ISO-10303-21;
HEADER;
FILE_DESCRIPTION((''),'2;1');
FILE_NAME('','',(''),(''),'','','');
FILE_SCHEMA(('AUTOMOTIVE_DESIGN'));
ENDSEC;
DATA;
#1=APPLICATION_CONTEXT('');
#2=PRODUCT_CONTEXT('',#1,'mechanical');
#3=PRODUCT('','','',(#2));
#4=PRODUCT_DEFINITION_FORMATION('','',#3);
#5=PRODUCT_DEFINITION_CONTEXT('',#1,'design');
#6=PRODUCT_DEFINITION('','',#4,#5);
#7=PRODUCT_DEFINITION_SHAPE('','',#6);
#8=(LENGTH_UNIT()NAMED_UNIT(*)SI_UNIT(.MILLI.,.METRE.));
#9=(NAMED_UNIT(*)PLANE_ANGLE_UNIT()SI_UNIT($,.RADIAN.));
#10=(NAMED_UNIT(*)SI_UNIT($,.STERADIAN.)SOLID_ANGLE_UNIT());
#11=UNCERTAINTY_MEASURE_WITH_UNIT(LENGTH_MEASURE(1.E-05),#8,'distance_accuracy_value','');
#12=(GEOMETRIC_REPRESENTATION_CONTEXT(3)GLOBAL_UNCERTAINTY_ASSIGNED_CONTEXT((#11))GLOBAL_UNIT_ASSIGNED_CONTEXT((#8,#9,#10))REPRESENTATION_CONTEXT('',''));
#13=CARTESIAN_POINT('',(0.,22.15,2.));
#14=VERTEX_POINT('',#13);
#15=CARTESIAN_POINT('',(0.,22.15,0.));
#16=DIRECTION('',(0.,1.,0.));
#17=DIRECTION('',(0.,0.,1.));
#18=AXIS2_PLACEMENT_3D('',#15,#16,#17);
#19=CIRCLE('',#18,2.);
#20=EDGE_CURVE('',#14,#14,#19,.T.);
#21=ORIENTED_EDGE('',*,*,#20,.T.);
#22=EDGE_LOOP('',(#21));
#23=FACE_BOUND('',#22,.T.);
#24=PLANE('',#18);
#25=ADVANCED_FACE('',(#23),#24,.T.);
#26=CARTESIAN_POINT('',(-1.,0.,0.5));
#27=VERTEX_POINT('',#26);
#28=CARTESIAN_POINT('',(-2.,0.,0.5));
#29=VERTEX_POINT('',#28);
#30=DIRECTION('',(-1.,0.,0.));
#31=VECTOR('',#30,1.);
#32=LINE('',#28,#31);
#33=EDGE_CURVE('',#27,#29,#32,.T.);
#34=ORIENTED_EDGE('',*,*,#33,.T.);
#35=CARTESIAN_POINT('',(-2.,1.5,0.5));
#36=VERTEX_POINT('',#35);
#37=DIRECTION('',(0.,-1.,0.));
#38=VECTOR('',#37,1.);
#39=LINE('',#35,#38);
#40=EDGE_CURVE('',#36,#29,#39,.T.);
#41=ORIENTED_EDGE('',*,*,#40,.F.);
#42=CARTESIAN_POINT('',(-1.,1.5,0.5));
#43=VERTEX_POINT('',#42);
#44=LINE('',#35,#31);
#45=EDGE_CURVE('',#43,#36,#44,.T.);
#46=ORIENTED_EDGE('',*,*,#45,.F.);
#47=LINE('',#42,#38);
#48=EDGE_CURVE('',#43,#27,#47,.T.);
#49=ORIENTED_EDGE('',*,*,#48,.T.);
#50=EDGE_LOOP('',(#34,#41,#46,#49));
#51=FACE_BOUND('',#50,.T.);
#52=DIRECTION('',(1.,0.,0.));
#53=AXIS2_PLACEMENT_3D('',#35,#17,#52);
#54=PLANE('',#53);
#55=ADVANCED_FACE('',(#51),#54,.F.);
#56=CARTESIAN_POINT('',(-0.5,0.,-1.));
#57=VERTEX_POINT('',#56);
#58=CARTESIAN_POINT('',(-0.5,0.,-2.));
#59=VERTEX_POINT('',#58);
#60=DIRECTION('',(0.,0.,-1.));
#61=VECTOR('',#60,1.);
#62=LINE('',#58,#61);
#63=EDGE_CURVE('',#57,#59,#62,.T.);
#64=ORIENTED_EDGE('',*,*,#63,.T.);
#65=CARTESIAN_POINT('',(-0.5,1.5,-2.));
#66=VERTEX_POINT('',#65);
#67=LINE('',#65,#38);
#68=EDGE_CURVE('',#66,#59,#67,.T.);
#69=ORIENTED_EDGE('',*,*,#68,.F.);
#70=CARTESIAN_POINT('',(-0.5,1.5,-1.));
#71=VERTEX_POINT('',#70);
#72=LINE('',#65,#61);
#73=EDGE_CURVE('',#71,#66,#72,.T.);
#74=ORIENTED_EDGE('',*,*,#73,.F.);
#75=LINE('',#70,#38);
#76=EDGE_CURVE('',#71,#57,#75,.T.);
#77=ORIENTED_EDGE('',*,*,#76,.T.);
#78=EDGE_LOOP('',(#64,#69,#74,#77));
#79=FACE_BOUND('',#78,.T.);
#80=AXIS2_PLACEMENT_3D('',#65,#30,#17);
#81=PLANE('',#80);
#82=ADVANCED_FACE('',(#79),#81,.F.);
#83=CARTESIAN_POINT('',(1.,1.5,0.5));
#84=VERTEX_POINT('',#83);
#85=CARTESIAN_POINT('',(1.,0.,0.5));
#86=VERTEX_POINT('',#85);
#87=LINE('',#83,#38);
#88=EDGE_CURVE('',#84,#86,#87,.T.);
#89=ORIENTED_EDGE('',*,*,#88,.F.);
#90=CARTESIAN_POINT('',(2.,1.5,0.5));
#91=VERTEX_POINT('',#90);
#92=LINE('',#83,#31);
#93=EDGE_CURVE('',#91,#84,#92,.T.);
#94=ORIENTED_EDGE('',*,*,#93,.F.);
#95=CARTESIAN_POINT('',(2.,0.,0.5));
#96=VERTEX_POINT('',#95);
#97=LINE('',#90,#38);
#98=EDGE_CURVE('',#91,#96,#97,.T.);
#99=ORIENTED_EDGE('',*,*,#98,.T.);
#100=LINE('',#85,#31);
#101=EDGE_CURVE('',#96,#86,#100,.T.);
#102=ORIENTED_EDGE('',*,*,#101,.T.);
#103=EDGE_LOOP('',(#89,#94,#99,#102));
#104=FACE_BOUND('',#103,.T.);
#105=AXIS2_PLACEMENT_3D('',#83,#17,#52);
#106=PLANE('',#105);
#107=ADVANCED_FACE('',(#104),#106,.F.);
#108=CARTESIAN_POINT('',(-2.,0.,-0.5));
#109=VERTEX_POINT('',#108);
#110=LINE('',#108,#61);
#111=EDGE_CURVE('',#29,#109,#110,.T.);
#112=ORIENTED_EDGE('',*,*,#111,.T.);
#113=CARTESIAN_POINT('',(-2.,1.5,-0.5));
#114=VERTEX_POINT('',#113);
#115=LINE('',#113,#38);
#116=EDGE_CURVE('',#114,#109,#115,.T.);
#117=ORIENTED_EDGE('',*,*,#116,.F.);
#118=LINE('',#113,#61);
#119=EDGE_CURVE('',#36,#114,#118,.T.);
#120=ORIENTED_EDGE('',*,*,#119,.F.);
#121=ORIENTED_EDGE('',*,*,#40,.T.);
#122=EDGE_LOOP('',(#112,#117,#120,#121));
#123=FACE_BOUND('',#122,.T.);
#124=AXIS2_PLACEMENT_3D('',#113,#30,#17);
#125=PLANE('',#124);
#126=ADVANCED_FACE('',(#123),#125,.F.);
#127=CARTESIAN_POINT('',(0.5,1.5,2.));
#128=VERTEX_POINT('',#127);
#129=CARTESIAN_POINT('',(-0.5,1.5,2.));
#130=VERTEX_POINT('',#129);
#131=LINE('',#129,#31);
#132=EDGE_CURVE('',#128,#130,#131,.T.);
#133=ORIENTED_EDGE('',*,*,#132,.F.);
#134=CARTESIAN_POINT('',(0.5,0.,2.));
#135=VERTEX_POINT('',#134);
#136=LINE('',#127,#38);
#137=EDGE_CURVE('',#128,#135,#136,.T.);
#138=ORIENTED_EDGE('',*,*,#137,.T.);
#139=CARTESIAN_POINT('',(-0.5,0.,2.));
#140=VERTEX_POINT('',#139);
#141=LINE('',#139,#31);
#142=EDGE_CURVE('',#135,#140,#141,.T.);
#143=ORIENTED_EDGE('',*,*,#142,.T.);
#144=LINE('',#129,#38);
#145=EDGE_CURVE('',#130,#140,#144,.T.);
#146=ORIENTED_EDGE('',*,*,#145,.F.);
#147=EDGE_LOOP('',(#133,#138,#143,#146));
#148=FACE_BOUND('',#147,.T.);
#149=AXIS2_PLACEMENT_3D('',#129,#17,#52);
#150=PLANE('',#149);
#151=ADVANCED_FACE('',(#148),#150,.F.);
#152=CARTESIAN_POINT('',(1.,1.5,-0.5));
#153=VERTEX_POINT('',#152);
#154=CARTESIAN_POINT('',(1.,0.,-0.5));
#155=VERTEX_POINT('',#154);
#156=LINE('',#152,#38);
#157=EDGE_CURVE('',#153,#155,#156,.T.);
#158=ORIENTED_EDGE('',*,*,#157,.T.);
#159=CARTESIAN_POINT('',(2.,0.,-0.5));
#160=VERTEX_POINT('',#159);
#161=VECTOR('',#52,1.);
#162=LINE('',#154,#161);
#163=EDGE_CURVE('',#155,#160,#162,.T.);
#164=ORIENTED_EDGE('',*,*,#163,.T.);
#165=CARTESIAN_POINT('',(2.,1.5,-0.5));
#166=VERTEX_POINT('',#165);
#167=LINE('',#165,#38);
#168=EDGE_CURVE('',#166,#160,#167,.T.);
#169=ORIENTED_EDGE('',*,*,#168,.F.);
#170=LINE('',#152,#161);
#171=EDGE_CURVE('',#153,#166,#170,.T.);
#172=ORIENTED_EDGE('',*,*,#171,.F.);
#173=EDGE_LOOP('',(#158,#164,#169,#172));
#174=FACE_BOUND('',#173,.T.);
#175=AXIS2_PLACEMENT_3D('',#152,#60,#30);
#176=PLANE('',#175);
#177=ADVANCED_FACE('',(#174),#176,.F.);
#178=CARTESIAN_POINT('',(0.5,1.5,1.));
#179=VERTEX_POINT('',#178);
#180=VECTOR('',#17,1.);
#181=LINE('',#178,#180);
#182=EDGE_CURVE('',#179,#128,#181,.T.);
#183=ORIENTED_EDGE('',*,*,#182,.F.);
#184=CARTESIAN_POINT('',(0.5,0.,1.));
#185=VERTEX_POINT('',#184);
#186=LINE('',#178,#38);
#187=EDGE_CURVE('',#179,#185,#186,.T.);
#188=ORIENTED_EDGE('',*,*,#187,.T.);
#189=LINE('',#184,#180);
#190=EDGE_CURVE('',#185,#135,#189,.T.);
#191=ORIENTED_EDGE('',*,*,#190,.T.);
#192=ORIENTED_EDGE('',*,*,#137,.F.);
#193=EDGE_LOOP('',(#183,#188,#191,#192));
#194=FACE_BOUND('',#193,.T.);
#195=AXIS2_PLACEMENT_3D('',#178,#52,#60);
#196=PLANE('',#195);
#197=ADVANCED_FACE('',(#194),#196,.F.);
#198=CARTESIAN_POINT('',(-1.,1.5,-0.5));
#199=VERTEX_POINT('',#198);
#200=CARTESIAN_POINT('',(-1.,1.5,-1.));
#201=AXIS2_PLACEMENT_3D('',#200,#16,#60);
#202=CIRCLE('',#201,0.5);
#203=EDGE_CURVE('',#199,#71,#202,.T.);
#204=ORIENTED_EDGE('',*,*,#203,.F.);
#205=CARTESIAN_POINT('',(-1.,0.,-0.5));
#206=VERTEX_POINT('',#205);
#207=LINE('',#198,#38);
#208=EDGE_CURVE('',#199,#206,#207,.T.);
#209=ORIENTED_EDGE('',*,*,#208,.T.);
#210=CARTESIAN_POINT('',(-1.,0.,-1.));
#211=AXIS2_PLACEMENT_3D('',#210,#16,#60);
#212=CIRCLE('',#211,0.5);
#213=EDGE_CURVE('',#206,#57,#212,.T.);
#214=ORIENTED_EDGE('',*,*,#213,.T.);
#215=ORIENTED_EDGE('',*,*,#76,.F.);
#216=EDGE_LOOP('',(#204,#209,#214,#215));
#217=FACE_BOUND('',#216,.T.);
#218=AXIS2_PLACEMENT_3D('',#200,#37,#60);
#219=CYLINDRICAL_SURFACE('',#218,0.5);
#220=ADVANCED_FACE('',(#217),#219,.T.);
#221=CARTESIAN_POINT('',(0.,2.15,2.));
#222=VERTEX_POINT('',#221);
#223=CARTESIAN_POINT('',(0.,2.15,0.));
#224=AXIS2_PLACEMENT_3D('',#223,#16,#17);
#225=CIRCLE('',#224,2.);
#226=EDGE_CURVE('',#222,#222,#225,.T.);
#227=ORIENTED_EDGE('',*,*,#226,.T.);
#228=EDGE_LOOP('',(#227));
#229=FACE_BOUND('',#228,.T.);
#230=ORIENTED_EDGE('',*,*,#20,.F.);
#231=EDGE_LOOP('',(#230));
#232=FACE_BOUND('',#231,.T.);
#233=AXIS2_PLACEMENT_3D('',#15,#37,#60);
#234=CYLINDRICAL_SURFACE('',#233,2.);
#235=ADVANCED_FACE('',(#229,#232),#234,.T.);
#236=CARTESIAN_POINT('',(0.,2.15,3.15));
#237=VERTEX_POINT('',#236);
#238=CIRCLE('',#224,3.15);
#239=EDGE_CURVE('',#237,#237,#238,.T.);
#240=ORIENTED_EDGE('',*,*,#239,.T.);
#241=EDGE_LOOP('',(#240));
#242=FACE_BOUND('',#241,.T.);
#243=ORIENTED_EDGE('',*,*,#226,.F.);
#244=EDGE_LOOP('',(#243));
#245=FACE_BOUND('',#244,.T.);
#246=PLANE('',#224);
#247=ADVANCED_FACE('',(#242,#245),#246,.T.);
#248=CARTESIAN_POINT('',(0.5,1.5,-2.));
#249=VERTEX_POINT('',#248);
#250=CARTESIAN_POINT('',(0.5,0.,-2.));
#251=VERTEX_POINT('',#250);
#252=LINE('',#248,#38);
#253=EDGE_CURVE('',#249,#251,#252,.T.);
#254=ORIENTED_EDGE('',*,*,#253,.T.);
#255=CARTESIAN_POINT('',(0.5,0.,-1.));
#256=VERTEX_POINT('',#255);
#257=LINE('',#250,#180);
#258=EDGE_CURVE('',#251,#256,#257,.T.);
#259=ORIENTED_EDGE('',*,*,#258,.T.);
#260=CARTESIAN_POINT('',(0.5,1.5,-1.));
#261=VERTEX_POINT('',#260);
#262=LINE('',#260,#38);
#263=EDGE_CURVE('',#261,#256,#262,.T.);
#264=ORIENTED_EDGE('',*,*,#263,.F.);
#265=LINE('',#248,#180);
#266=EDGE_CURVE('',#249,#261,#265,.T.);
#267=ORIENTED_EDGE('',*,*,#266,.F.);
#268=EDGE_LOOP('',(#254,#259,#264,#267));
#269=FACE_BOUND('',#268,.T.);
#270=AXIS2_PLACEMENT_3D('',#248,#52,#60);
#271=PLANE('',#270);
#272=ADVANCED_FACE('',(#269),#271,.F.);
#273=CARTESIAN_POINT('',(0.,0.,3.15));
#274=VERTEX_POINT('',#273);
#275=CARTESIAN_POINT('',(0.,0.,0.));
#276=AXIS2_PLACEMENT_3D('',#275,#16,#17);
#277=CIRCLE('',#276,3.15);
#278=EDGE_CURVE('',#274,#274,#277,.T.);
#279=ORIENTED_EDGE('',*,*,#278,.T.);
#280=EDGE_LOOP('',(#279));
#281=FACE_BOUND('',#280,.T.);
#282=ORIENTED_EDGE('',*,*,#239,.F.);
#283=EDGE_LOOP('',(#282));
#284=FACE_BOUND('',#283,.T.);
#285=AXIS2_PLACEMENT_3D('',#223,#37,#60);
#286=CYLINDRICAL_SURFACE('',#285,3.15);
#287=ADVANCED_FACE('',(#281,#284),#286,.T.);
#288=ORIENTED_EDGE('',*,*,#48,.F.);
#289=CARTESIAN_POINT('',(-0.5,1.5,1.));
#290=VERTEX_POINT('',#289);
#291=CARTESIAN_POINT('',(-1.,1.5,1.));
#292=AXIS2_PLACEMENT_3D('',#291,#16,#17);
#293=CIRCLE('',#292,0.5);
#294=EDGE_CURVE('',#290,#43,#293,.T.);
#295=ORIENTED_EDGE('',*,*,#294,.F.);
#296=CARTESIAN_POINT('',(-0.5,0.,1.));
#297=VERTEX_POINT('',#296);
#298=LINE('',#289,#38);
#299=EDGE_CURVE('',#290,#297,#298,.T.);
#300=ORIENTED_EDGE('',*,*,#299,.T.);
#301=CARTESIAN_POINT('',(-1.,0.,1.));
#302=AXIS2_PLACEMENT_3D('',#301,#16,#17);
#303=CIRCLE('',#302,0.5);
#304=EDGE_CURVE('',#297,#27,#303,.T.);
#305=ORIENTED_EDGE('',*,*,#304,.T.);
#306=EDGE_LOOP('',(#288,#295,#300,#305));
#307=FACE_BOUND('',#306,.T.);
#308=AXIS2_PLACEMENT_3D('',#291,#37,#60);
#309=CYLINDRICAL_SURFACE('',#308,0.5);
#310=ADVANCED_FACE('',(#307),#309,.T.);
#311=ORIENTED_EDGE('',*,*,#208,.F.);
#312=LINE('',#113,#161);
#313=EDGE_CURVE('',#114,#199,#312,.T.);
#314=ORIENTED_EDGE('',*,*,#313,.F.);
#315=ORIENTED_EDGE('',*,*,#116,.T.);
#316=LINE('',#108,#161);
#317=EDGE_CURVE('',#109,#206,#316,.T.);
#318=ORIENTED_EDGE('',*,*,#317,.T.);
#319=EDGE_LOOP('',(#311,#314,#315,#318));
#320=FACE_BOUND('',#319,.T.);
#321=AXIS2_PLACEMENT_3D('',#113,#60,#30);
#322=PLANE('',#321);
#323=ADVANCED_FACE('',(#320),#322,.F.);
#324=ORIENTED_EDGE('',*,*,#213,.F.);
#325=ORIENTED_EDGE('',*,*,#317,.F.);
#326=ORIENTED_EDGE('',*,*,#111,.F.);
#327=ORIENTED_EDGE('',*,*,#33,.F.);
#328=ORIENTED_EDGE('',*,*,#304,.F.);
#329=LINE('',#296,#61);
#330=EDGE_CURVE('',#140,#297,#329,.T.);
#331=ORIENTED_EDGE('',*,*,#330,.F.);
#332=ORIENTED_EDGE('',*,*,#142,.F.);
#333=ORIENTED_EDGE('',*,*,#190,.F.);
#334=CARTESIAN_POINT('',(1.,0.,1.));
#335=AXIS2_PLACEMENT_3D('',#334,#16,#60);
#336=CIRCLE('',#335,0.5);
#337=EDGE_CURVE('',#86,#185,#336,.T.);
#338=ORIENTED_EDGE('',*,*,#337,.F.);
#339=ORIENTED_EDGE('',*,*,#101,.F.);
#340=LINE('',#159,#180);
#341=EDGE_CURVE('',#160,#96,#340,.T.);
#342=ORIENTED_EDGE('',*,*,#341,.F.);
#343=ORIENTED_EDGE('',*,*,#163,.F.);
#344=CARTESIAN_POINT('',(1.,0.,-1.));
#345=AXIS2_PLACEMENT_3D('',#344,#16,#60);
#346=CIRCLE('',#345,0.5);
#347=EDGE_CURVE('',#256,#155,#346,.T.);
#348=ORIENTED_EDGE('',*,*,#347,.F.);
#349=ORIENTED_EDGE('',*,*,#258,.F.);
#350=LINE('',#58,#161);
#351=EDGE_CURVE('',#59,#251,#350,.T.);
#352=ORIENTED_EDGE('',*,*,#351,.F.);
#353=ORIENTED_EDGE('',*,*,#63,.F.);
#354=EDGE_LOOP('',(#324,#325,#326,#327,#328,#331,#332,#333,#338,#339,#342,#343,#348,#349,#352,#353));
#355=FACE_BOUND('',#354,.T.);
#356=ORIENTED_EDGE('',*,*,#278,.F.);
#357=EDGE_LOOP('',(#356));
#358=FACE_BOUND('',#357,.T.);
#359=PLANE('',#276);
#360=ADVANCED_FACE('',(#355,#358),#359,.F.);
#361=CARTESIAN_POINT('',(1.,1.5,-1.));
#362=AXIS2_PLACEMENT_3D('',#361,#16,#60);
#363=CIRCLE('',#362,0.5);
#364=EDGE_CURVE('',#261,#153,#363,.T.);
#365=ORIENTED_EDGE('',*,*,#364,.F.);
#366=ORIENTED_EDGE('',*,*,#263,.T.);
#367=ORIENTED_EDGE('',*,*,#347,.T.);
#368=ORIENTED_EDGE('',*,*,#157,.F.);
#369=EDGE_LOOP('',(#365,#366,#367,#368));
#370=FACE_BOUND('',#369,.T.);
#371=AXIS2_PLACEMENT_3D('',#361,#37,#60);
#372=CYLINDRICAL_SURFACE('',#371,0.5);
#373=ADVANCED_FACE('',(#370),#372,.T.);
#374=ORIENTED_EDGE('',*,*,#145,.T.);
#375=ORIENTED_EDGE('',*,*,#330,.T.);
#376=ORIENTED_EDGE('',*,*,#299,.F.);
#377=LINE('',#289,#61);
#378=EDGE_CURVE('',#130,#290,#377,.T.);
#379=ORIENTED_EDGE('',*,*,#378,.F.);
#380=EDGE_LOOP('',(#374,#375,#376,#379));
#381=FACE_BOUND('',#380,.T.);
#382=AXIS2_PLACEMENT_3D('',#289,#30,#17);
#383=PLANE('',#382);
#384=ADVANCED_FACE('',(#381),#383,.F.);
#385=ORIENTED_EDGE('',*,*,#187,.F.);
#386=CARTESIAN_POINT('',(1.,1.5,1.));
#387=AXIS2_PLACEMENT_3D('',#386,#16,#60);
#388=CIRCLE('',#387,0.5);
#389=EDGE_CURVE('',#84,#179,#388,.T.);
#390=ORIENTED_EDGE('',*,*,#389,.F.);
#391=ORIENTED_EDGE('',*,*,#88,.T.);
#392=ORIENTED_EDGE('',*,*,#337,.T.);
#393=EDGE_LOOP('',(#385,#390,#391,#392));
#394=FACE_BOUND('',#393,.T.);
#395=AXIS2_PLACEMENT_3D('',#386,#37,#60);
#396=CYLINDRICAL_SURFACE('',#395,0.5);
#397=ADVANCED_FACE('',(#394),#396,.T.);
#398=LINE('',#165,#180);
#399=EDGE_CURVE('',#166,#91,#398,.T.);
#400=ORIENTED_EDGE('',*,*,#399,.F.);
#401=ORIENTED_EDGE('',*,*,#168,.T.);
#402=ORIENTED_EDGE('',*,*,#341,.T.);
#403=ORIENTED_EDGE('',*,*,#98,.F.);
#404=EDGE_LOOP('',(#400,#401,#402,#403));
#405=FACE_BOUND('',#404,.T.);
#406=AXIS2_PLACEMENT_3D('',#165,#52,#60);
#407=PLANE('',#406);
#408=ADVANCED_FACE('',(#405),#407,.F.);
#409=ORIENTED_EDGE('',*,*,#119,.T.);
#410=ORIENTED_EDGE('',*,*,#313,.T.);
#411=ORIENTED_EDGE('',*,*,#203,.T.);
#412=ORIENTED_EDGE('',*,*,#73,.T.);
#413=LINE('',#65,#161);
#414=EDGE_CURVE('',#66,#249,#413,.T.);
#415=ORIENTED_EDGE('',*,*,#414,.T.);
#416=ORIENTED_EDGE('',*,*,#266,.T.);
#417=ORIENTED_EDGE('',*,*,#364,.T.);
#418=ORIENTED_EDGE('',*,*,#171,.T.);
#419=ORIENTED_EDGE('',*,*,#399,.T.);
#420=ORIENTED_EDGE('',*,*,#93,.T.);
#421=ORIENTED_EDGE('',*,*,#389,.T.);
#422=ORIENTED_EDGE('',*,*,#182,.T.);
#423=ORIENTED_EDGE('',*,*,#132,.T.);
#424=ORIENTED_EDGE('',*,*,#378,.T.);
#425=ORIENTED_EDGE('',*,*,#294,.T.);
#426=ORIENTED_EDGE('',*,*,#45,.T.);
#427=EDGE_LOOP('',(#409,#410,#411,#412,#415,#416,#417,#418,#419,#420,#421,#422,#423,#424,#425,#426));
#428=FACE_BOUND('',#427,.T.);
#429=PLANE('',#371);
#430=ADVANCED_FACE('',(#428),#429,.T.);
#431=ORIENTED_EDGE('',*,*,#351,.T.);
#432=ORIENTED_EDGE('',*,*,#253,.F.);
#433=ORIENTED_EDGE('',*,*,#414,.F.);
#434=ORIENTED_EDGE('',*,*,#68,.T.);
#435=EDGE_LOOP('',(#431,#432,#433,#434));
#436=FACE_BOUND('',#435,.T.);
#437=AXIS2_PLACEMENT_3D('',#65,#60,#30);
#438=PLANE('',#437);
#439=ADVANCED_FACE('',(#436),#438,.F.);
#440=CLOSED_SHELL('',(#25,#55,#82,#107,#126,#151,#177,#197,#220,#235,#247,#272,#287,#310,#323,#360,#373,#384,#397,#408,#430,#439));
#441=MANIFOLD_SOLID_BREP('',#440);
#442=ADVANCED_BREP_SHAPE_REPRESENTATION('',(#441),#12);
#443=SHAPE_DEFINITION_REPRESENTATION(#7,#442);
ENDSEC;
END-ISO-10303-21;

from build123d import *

# Parameters (mm, degrees)
SKETCH_1_R          = 3.15
EXTRUDE_1_DEPTH     = 2.15
SKETCH_2_R          = 2
EXTRUDE_2_DEPTH     = 20
CUT_EXTRUDE_1_DEPTH = 1.5


with BuildPart() as part:
    # 草图1 → 凸台-拉伸1 (new body)
    with BuildSketch(Plane(origin=(0, 0, 0), x_dir=(1, 0, 0), z_dir=(0, 1, 0))):
        Circle(SKETCH_1_R)
    extrude(amount=EXTRUDE_1_DEPTH)

    # 草图2 → 凸台-拉伸2 (add)
    with BuildSketch(Plane(origin=(0, 2.15, 0), x_dir=(1, 0, 0), z_dir=(0, 1, 0))):
        Circle(SKETCH_2_R)
    extrude(amount=EXTRUDE_2_DEPTH)

    # 草图3 → 切除-拉伸1 (cut)
    with BuildSketch(Plane.XZ):
        with BuildLine():
            Line((-0.5, 1), (-0.5, 2))
            Line((-0.5, 2), (0.5, 2))
            Line((0.5, 2), (0.5, 1))
            ThreePointArc((0.5, 1), (0.646446609, 0.646446609), (1, 0.5))
            Line((1, 0.5), (2, 0.5))
            Line((2, 0.5), (2, -0.5))
            Line((2, -0.5), (1, -0.5))
            ThreePointArc((1, -0.5), (0.646446609, -0.646446609), (0.5, -1))
            Line((0.5, -1), (0.5, -2))
            Line((0.5, -2), (-0.5, -2))
            Line((-0.5, -2), (-0.5, -1))
            ThreePointArc((-0.5, -1), (-0.646446609, -0.646446609), (-1, -0.5))
            Line((-1, -0.5), (-2, -0.5))
            Line((-2, -0.5), (-2, 0.5))
            Line((-2, 0.5), (-1, 0.5))
            ThreePointArc((-1, 0.5), (-0.646446609, 0.646446609), (-0.5, 1))
        make_face()
    extrude(amount=-CUT_EXTRUDE_1_DEPTH, mode=Mode.SUBTRACT)


solid = part.part
